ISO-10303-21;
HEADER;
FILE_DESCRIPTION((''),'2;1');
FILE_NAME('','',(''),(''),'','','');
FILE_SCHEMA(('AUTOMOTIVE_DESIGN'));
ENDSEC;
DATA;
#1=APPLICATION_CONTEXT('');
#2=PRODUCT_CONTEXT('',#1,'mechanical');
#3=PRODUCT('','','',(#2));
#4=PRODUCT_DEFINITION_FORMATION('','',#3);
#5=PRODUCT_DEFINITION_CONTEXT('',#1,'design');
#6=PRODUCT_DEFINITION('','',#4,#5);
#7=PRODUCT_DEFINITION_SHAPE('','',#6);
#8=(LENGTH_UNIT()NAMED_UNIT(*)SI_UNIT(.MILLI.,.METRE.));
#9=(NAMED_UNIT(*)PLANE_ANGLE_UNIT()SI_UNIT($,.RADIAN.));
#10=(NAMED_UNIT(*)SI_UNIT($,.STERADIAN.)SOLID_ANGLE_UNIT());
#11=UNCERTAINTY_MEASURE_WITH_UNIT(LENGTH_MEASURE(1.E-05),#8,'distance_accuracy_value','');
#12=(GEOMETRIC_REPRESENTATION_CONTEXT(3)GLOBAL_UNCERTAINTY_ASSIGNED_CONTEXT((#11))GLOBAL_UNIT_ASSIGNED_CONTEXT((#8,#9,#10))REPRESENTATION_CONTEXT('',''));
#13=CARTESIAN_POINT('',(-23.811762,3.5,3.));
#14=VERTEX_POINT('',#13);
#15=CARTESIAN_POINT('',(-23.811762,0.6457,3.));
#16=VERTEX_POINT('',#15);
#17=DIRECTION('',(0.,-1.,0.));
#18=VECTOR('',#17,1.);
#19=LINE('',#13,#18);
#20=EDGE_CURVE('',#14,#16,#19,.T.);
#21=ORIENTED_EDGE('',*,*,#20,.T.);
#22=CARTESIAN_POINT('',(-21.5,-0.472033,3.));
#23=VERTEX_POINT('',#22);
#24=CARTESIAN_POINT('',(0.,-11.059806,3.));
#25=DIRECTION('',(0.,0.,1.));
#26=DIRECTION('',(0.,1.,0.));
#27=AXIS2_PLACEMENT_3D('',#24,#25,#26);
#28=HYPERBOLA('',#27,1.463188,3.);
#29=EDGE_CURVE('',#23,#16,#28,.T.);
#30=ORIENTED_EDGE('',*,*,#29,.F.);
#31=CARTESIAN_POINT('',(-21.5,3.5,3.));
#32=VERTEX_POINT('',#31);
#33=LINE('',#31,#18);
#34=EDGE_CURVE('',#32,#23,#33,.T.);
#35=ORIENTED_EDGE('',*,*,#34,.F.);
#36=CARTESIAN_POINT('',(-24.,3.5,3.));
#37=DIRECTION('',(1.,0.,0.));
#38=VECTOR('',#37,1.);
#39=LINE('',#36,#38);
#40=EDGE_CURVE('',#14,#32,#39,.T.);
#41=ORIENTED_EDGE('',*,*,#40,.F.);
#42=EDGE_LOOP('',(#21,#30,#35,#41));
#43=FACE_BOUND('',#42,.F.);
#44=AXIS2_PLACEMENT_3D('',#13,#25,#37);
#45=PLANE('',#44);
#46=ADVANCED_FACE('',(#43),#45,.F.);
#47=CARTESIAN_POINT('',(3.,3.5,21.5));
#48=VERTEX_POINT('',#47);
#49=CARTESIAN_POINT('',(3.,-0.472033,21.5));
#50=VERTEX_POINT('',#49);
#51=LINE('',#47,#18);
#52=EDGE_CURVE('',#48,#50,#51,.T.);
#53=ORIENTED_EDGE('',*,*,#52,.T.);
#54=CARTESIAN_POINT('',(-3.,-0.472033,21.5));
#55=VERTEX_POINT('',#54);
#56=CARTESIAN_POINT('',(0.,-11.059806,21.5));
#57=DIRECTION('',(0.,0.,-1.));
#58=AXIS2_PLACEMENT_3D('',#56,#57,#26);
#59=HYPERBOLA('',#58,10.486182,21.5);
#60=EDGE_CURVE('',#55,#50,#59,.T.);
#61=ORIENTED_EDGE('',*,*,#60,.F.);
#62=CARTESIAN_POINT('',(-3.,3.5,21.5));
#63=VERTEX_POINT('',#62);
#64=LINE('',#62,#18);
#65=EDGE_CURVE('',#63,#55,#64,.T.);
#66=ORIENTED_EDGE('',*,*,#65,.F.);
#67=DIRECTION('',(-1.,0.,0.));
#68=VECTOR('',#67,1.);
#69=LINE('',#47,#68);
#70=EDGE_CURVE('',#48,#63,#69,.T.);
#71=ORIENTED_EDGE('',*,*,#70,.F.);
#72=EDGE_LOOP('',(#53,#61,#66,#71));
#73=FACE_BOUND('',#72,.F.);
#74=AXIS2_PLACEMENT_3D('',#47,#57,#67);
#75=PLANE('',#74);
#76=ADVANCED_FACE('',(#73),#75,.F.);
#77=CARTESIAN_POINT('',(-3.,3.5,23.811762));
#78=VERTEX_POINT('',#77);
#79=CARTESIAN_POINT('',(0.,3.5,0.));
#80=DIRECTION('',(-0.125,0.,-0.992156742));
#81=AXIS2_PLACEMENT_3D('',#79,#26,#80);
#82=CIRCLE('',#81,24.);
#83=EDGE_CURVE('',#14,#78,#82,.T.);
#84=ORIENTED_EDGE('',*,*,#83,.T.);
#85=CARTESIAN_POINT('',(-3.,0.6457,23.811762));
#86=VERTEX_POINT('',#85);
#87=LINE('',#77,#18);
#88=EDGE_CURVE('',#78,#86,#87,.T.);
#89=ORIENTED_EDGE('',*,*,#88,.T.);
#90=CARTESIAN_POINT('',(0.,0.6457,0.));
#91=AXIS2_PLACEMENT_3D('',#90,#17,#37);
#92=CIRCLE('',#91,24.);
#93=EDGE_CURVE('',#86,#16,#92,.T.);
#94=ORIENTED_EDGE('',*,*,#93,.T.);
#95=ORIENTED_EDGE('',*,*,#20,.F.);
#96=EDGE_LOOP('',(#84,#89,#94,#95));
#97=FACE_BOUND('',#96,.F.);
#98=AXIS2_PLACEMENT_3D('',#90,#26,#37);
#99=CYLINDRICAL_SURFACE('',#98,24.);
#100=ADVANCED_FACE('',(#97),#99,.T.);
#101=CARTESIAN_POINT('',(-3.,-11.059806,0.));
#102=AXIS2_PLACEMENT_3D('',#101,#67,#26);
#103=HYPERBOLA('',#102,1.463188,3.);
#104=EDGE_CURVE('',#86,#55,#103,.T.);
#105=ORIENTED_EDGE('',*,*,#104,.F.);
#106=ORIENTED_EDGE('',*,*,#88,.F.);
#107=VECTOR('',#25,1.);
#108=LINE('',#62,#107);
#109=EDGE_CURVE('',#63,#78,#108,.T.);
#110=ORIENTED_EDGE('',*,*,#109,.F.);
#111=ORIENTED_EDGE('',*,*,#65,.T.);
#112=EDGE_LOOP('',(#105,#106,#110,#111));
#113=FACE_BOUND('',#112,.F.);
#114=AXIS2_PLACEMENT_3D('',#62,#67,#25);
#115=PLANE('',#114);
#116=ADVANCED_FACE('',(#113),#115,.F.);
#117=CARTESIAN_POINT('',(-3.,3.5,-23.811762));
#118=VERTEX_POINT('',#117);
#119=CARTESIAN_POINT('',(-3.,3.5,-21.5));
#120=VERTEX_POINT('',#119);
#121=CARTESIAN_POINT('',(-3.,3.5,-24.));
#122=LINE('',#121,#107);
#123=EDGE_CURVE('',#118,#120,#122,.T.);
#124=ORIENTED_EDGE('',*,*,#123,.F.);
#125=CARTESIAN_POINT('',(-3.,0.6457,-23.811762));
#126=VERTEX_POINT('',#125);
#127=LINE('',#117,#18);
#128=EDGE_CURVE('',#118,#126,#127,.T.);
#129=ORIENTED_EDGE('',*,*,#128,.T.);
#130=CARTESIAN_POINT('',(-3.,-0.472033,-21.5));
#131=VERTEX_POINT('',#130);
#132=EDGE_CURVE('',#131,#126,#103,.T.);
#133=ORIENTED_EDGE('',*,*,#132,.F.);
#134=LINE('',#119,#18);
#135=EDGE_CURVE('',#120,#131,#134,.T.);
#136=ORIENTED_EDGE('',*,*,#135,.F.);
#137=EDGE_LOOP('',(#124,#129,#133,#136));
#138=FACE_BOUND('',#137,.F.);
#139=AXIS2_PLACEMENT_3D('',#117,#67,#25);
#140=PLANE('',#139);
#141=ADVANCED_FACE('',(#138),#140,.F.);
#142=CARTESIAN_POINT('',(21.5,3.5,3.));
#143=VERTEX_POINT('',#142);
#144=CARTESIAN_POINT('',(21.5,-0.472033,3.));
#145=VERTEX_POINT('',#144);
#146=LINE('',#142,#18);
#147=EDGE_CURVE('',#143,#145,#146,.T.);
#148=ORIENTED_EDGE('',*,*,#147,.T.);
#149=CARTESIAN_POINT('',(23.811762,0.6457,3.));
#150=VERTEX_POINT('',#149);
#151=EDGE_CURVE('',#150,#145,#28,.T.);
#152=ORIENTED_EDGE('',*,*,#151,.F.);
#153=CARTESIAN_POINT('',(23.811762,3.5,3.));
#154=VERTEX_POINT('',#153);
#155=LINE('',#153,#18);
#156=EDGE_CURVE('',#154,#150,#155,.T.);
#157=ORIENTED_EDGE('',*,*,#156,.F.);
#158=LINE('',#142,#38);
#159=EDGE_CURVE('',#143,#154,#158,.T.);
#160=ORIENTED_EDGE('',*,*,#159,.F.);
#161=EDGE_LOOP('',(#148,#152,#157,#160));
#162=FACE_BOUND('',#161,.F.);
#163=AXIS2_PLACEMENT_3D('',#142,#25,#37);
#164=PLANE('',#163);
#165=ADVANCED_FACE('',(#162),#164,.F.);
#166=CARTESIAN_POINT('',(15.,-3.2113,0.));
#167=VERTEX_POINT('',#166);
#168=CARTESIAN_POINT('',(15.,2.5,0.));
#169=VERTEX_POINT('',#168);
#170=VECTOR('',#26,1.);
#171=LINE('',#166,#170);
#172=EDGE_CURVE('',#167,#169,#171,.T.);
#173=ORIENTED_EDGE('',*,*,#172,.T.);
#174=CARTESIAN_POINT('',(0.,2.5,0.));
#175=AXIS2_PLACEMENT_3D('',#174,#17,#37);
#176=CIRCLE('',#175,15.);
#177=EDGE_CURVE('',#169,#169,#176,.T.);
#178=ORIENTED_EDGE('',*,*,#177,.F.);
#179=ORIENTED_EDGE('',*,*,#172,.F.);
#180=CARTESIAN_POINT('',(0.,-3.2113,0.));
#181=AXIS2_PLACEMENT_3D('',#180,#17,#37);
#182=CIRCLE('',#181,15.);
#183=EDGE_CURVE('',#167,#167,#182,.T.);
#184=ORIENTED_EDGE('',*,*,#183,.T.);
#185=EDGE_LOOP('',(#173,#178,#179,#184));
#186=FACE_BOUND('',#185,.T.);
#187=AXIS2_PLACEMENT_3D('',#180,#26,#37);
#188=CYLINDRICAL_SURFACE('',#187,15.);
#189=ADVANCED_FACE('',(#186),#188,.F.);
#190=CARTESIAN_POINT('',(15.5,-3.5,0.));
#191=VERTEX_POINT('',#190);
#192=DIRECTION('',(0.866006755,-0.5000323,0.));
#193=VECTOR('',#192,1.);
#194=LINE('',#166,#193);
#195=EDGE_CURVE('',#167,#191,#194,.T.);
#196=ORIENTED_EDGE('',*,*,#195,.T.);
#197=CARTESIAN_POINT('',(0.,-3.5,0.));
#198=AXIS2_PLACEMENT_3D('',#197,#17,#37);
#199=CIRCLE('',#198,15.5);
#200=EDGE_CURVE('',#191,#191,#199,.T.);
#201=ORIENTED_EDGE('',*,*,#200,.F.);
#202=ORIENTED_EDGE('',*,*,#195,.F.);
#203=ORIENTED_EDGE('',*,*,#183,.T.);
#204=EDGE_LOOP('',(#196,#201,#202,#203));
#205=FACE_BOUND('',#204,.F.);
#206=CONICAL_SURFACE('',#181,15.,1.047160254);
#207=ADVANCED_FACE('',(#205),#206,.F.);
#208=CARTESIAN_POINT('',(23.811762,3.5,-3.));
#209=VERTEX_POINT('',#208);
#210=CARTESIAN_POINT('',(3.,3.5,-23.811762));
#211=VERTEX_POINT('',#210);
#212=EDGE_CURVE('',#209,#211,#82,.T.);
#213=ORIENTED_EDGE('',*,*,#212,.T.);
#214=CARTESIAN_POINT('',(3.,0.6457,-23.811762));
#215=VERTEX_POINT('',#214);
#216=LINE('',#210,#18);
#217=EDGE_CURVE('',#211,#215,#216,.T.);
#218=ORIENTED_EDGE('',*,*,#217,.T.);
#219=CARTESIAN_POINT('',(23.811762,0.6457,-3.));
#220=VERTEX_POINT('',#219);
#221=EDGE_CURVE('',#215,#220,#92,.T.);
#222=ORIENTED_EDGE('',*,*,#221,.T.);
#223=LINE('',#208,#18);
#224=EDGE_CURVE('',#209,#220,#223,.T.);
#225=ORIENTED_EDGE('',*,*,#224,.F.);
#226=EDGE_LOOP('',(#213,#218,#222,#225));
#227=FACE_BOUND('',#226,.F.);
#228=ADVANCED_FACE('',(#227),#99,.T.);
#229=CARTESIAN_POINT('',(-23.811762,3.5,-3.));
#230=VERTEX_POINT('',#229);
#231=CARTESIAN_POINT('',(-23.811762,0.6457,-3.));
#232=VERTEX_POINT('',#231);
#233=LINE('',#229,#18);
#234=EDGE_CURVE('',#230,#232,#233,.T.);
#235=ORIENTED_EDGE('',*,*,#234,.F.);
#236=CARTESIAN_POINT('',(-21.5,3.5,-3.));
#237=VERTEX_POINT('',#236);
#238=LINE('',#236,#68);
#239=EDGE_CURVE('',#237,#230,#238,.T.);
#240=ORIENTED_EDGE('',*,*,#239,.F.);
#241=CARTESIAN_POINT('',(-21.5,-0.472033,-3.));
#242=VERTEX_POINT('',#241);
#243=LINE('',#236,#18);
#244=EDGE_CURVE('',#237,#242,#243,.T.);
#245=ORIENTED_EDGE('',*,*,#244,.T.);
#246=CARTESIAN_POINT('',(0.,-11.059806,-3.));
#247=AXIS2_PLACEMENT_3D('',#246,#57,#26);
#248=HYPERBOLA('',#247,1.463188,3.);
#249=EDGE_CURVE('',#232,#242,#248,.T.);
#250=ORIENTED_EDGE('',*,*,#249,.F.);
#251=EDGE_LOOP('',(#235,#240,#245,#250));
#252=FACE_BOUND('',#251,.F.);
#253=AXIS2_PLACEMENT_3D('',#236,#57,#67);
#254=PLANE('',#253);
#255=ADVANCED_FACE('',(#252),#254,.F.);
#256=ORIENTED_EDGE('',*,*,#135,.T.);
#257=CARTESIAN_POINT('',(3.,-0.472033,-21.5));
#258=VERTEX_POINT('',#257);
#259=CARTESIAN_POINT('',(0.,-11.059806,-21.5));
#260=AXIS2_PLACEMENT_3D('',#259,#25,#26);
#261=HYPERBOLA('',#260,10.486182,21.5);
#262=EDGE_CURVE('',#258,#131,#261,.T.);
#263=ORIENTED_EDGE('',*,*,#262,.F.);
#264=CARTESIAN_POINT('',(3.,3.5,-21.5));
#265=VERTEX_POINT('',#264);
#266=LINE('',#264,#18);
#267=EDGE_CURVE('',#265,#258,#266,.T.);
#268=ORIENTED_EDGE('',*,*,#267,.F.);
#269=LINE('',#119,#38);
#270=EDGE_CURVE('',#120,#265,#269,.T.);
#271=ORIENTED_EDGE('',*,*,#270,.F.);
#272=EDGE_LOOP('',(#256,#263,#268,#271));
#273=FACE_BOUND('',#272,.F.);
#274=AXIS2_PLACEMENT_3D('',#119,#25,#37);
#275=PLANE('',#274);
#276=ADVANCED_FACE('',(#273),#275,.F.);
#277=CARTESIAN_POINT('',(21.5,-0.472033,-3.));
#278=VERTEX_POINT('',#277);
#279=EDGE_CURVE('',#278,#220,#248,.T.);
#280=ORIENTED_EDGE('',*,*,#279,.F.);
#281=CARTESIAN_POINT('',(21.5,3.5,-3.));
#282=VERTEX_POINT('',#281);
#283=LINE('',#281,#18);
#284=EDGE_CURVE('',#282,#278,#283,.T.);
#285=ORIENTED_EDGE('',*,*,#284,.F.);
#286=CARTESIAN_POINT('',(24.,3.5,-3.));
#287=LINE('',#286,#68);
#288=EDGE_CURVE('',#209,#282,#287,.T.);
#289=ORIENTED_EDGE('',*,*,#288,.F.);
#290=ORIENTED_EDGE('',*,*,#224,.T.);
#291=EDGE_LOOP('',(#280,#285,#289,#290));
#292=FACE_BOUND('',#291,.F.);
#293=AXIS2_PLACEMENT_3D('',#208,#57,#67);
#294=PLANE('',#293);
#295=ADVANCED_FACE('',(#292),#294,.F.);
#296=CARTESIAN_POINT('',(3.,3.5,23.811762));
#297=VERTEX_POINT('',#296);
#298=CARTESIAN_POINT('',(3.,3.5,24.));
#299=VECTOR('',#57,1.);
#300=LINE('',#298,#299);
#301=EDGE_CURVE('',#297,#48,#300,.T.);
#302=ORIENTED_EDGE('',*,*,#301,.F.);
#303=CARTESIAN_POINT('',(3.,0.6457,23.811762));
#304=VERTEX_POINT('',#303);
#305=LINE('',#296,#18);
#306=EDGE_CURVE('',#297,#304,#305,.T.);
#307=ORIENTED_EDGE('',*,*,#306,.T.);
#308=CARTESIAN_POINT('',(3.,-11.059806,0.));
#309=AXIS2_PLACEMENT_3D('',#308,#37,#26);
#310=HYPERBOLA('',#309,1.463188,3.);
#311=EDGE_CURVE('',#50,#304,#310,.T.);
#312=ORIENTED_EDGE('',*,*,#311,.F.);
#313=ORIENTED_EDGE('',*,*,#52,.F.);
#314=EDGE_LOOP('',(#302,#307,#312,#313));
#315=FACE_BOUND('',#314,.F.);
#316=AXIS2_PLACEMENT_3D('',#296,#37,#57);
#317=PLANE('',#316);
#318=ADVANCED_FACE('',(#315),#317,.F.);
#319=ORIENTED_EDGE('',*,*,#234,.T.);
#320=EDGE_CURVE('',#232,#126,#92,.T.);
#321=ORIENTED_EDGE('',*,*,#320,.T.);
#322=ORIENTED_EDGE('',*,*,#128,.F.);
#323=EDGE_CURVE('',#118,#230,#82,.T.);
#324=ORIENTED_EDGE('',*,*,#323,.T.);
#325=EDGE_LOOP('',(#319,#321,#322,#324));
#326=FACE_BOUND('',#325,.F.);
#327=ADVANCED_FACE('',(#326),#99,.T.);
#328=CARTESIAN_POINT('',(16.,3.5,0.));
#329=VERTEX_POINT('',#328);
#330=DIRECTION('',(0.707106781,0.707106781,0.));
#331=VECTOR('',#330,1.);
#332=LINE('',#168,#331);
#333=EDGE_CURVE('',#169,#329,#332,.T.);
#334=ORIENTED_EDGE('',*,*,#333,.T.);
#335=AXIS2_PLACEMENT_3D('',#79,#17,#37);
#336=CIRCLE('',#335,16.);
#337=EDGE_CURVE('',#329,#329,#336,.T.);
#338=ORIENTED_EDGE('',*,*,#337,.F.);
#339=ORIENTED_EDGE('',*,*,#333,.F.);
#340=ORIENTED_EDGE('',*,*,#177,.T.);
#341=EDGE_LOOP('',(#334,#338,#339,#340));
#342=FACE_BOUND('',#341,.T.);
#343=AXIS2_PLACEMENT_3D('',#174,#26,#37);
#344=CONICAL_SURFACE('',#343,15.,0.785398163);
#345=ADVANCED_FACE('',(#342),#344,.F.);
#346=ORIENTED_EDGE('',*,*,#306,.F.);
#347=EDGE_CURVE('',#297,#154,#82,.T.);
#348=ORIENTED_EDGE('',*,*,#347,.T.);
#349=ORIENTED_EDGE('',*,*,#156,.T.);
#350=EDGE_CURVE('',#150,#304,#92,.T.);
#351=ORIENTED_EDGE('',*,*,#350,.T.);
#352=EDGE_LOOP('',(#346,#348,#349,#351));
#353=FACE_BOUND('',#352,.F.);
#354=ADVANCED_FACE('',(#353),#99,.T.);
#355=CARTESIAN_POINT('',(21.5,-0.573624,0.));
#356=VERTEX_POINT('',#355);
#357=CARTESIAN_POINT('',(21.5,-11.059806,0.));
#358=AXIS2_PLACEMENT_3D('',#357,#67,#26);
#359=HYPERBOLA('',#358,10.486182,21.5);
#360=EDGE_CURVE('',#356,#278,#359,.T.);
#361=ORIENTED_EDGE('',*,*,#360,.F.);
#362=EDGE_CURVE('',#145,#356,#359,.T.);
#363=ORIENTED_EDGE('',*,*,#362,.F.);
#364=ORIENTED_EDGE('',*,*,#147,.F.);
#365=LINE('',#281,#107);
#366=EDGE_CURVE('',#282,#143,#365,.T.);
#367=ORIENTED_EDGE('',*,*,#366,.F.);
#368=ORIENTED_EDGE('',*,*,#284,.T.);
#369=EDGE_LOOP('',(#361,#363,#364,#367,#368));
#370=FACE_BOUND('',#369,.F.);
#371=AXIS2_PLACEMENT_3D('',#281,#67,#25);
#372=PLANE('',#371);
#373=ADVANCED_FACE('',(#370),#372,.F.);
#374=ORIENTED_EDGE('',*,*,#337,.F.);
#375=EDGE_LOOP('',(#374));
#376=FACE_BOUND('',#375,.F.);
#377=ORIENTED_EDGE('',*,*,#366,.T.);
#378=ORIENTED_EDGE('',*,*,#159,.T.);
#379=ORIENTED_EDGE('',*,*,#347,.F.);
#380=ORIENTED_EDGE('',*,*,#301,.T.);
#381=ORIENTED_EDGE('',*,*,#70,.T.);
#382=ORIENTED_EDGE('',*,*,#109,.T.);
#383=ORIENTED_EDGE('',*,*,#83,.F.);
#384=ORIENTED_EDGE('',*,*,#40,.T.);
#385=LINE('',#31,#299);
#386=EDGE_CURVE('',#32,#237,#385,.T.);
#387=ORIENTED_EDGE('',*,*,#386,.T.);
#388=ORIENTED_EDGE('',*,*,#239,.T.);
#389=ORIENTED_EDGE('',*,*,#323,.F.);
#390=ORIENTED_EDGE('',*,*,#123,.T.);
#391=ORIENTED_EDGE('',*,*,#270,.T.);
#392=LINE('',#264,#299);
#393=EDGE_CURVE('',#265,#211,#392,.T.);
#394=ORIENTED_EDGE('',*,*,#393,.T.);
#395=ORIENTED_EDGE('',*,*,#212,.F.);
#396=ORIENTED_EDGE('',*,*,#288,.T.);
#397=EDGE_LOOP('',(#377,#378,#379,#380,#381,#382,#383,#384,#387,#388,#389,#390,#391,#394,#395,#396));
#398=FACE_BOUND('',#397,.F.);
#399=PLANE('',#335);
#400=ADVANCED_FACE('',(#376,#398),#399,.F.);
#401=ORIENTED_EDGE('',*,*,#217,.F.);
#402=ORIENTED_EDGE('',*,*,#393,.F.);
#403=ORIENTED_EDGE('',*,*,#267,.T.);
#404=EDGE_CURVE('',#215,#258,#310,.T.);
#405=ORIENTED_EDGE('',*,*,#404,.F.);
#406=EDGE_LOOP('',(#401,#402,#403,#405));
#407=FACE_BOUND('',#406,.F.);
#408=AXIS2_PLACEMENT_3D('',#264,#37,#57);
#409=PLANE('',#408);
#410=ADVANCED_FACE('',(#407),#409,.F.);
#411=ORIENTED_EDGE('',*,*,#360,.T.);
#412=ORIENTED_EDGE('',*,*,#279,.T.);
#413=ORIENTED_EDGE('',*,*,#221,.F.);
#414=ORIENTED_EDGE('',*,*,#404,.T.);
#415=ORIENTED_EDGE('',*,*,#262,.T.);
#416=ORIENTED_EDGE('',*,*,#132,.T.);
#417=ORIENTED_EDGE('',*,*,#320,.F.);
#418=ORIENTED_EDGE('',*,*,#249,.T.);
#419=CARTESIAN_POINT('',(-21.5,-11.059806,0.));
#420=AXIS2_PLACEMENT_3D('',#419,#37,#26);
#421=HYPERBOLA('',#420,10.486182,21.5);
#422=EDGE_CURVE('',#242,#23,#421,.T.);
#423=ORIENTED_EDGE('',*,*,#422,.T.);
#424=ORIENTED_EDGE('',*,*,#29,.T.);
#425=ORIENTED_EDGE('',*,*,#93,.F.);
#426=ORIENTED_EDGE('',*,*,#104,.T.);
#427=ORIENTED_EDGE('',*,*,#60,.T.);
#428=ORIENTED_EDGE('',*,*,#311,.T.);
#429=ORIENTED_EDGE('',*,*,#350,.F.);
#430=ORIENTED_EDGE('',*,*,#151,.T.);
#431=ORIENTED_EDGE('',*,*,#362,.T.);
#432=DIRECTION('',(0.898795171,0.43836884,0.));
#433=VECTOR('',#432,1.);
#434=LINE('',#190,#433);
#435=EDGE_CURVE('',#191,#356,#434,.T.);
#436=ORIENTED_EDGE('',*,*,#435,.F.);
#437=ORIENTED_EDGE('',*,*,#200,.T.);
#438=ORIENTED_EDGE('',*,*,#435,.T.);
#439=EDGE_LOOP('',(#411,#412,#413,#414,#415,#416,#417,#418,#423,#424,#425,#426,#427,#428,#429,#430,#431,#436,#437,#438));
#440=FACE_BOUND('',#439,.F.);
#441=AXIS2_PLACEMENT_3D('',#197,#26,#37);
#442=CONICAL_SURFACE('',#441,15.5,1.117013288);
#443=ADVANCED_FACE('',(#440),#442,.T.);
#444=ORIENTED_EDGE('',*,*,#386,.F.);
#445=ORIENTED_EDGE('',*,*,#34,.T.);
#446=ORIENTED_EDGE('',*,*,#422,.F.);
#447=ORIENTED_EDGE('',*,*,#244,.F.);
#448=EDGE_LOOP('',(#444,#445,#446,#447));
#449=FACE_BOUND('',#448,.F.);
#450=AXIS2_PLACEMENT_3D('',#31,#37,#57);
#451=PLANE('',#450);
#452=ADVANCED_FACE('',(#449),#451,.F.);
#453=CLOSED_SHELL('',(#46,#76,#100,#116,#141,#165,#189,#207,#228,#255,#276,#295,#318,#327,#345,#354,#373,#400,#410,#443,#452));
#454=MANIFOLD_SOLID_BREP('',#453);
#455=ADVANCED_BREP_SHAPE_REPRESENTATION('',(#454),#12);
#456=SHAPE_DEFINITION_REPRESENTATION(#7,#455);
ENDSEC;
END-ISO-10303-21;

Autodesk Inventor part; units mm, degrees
ref_plane "YZ Plane" through (0, 0, 0) normal (1, 0, 0) x (0, 1, 0)
ref_plane "XZ Plane" through (0, 0, 0) normal (0, 1, 0) x (-1, 0, 0)
ref_plane "XY Plane" through (0, 0, 0) normal (0, 0, 1) x (1, 0, 0)
sketch "Эскиз1" plane through (0, 0, 0) normal (0, 0, 1) x (1, 0, 0)
  line L0 (0, 3.5) -> (0, -3.5)
  line L1 (15, -3.2113) -> (15.5, -3.5)
  line L2 (15.5, -3.5) -> (24, 0.6457)
  line L3 (15, -3.2113) -> (15, 2.5)
  line L4 (0, -3.5) -> (15.5, -3.5) construction
  line L5 (24, 0.6457) -> (24, 3.5)
  line L6 (24, 3.5) -> (16, 3.5)
  line L7 (15, 2.5) -> (16, 3.5)
  point P0 (0, 0)
  point P1 (0, 0)
  point P2 (15, 3.5)
  dimension "d0" = 7
  dimension "d1" = 60
  dimension "d2" = 31
  dimension "d3" = 30
  dimension "d4" = 26
  dimension "d5" = 48
  dimension "d9" = 1
  dimension "d10" = 45
revolve "Вращение1" add sketch "Эскиз1" angle 360 about axis through (0, 3.5, 0) along (0, -1, 0)
sketch "Эскиз2" plane through (0, 3.5, 0) normal (0, 1, 0) x (1, 0, 0)
  circle A0 centre (0, 0) radius 24 projected
  line L0 (3, 24) -> (-3, 24)
  line L1 (-3, 24) -> (-3, 21.5)
  line L2 (-3, 21.5) -> (3, 21.5)
  line L3 (3, 21.5) -> (3, 24)
  point P0 (0, 0)
  point P1 (0, 24)
  point P2 (3, 23.8118)
  point P3 (-3, 23.8118)
  dimension "d12" = 2.5
  dimension "d13" = 6
extrude "Выдавливание1" cut sketch "Эскиз2" against normal through all contours L3 L2 L1 A0 picked at (0, 22.3333)
pattern_circular "Круговой массив1" count 4 over 360 about axis through (0, -10, 0) along (0, 1, 0) of "Выдавливание1"
thread "Резьба1" size "M30x1" class "6H" standard "ISO Metric profile" length 20
properties part number "69. Гайка стопорная"
